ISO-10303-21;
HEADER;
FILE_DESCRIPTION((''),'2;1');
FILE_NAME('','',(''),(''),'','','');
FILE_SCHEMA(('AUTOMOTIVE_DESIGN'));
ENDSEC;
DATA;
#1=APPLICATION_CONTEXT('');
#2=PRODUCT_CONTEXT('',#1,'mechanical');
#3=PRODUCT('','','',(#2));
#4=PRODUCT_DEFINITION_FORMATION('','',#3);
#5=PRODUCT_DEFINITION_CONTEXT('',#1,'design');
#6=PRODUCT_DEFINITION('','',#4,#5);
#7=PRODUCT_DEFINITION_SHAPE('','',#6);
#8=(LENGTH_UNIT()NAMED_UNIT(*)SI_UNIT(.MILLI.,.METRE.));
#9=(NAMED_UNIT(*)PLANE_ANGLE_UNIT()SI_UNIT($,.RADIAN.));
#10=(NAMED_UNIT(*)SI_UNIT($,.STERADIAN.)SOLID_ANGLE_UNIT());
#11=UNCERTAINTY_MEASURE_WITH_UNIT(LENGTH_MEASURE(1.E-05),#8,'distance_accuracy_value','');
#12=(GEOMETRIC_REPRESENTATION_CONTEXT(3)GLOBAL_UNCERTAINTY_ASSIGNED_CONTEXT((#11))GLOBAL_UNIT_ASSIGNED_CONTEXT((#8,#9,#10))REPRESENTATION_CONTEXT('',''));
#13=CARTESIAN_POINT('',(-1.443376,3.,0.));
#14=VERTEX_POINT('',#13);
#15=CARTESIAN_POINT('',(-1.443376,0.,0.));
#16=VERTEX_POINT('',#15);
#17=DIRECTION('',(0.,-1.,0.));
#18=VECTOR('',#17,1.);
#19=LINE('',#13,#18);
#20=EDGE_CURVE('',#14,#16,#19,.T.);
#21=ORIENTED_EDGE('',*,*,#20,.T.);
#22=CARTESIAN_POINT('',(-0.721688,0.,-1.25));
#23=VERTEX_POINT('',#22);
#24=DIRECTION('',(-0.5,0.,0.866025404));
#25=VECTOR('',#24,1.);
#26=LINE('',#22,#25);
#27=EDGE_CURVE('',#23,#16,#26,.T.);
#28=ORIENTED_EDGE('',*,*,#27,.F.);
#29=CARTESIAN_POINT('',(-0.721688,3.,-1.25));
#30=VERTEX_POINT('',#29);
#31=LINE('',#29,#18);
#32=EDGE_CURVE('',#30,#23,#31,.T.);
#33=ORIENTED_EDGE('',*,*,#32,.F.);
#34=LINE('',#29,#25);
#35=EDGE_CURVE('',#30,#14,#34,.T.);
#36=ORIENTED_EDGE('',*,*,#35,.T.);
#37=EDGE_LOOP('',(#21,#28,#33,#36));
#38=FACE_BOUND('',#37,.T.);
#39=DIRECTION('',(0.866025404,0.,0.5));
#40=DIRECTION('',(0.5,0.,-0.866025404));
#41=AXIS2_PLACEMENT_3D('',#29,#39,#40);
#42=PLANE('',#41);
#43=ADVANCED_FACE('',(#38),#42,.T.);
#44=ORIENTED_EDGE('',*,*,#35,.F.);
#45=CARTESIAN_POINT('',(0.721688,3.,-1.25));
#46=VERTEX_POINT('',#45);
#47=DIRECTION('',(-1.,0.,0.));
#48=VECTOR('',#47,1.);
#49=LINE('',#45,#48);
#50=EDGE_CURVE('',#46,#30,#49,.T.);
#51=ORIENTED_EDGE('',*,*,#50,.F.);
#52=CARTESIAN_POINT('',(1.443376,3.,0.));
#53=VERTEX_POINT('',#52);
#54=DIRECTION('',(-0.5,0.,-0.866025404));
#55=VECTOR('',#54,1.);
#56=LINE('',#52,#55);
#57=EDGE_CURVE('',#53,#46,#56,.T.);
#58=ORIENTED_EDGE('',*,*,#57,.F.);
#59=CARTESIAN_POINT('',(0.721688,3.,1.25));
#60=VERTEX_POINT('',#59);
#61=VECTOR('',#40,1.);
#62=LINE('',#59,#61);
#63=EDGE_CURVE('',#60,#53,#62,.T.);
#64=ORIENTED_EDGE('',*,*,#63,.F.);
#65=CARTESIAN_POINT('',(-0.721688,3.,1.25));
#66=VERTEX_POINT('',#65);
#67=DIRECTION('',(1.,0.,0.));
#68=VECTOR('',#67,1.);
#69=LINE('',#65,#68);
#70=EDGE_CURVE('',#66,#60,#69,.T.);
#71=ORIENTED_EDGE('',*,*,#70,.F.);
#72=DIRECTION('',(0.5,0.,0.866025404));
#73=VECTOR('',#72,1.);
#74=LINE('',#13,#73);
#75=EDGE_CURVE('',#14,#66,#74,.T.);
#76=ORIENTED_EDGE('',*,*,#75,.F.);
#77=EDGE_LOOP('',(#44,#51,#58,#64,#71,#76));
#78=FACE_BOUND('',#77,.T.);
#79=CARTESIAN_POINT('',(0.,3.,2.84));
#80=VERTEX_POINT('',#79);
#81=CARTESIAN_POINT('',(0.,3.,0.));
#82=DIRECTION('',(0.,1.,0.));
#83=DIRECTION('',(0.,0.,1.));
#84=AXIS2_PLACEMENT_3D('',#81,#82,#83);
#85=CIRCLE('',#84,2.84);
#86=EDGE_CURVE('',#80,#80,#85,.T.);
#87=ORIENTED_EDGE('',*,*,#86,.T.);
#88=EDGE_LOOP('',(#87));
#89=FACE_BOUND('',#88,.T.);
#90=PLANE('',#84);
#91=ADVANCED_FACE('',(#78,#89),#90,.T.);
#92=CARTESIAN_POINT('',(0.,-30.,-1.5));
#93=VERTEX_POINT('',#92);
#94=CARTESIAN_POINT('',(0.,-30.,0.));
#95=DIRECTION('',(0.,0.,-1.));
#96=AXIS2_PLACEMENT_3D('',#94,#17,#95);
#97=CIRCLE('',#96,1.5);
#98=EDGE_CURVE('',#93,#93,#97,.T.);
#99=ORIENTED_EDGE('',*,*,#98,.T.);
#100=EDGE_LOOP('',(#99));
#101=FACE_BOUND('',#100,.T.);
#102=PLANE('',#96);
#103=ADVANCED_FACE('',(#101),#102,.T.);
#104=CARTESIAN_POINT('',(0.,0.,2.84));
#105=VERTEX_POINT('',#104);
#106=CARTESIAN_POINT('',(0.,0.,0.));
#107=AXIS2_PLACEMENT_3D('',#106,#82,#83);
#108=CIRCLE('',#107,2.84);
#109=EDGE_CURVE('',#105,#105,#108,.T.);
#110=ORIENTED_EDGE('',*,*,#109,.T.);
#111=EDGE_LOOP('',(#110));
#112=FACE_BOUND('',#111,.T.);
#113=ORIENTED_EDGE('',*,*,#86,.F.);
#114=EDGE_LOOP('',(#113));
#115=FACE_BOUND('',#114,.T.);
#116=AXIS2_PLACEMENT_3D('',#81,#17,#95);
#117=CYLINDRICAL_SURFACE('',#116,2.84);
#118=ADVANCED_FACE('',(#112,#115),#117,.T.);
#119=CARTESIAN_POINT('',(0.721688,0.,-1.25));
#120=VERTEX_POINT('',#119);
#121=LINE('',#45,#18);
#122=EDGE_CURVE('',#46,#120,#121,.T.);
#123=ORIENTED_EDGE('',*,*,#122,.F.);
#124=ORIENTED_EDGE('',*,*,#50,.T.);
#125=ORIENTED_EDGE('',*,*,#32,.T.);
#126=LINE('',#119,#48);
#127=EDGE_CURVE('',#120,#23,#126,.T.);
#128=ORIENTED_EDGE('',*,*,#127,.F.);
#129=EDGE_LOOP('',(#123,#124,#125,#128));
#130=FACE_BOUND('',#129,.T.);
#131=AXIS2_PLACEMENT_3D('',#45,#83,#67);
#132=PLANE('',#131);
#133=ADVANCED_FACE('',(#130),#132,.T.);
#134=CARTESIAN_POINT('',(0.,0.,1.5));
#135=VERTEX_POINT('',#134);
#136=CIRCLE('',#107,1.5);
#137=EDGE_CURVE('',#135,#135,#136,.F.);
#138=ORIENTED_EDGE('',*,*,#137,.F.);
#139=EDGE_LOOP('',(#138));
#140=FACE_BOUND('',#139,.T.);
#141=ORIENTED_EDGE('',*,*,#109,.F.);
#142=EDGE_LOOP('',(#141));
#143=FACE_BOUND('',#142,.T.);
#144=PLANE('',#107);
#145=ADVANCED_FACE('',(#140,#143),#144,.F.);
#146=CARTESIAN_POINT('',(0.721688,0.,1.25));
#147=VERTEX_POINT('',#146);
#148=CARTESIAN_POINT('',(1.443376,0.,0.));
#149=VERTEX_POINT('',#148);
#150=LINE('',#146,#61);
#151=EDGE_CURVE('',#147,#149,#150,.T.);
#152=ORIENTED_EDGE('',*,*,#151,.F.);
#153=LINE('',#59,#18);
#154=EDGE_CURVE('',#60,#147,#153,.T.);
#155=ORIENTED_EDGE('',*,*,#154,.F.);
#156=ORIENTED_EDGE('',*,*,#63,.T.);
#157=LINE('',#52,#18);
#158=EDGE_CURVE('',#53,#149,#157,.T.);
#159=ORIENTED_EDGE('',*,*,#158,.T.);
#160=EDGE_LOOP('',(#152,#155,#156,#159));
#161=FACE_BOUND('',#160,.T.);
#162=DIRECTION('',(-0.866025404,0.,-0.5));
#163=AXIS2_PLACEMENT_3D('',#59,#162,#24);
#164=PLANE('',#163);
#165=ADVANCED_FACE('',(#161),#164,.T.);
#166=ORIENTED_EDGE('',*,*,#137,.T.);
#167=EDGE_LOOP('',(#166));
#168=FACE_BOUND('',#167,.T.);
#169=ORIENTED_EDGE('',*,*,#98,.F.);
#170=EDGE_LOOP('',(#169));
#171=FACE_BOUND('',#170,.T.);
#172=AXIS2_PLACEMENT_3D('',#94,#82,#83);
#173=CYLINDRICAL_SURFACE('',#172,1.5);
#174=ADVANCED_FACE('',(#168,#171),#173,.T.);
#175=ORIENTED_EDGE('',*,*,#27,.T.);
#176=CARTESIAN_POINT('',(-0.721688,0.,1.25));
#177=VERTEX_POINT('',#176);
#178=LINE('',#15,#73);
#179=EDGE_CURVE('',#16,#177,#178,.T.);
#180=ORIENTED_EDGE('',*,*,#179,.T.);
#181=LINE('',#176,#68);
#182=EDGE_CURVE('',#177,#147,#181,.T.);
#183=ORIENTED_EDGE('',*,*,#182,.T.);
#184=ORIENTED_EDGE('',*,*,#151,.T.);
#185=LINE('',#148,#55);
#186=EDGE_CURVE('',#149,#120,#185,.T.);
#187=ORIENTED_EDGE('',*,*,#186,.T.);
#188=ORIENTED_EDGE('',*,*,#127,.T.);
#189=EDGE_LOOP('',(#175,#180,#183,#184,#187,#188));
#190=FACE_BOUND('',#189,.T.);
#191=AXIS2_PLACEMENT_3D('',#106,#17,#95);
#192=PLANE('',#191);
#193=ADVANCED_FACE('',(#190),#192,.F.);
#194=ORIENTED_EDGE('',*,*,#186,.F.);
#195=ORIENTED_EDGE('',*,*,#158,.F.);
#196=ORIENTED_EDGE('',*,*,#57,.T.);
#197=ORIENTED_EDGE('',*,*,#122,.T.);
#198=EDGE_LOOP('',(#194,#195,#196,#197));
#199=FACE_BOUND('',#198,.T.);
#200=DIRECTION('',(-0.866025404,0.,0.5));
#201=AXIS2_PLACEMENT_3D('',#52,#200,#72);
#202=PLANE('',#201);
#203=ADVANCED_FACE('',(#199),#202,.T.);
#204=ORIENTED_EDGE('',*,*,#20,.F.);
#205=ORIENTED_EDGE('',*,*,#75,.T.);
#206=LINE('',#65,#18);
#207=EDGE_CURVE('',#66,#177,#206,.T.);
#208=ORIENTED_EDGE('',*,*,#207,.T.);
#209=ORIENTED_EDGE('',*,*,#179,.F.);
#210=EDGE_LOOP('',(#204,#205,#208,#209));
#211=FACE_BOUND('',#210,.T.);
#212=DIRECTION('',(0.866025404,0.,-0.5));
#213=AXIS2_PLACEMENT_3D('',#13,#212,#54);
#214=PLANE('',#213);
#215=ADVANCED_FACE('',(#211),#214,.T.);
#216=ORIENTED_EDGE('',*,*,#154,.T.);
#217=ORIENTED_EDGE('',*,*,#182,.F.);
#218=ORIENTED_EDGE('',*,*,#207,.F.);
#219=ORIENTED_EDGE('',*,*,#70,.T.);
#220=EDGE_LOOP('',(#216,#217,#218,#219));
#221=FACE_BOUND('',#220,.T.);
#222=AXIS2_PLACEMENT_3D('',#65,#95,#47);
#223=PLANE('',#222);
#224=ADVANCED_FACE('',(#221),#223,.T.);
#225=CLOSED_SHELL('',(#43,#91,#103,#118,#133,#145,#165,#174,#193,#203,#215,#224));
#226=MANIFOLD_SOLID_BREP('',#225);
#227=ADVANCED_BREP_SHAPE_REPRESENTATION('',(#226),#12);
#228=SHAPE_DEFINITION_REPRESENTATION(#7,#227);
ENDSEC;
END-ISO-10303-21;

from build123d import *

# Parameters (mm, degrees)
SKETCH1_R           = 2.84
BOSS_EXTRUDE1_DEPTH = 3
SKETCH2_R           = 1.5
BOSS_EXTRUDE2_DEPTH = 30


with BuildPart() as part:
    # Sketch1 → Boss-Extrude1 (new body)
    with BuildSketch(Plane(origin=(0, 0, 0), x_dir=(1, 0, 0), z_dir=(0, 1, 0))):
        with Locations(Location((0, 0, 0), (0, 0, 270))):
            Circle(SKETCH1_R)
        Polygon((0.721687836, 1.25), (-0.721687836, 1.25), (-1.443375673, 0), (-0.721687836, -1.25), (0.721687836, -1.25), (1.443375673, 0), align=None, mode=Mode.SUBTRACT)
    extrude(amount=BOSS_EXTRUDE1_DEPTH)

    # Sketch2 → Boss-Extrude2 (add)
    with BuildSketch(Plane.XZ):
        with Locations(Location((0, 0, 0), (0, 0, 90))):
            Circle(SKETCH2_R)
    extrude(amount=BOSS_EXTRUDE2_DEPTH)


solid = part.part
